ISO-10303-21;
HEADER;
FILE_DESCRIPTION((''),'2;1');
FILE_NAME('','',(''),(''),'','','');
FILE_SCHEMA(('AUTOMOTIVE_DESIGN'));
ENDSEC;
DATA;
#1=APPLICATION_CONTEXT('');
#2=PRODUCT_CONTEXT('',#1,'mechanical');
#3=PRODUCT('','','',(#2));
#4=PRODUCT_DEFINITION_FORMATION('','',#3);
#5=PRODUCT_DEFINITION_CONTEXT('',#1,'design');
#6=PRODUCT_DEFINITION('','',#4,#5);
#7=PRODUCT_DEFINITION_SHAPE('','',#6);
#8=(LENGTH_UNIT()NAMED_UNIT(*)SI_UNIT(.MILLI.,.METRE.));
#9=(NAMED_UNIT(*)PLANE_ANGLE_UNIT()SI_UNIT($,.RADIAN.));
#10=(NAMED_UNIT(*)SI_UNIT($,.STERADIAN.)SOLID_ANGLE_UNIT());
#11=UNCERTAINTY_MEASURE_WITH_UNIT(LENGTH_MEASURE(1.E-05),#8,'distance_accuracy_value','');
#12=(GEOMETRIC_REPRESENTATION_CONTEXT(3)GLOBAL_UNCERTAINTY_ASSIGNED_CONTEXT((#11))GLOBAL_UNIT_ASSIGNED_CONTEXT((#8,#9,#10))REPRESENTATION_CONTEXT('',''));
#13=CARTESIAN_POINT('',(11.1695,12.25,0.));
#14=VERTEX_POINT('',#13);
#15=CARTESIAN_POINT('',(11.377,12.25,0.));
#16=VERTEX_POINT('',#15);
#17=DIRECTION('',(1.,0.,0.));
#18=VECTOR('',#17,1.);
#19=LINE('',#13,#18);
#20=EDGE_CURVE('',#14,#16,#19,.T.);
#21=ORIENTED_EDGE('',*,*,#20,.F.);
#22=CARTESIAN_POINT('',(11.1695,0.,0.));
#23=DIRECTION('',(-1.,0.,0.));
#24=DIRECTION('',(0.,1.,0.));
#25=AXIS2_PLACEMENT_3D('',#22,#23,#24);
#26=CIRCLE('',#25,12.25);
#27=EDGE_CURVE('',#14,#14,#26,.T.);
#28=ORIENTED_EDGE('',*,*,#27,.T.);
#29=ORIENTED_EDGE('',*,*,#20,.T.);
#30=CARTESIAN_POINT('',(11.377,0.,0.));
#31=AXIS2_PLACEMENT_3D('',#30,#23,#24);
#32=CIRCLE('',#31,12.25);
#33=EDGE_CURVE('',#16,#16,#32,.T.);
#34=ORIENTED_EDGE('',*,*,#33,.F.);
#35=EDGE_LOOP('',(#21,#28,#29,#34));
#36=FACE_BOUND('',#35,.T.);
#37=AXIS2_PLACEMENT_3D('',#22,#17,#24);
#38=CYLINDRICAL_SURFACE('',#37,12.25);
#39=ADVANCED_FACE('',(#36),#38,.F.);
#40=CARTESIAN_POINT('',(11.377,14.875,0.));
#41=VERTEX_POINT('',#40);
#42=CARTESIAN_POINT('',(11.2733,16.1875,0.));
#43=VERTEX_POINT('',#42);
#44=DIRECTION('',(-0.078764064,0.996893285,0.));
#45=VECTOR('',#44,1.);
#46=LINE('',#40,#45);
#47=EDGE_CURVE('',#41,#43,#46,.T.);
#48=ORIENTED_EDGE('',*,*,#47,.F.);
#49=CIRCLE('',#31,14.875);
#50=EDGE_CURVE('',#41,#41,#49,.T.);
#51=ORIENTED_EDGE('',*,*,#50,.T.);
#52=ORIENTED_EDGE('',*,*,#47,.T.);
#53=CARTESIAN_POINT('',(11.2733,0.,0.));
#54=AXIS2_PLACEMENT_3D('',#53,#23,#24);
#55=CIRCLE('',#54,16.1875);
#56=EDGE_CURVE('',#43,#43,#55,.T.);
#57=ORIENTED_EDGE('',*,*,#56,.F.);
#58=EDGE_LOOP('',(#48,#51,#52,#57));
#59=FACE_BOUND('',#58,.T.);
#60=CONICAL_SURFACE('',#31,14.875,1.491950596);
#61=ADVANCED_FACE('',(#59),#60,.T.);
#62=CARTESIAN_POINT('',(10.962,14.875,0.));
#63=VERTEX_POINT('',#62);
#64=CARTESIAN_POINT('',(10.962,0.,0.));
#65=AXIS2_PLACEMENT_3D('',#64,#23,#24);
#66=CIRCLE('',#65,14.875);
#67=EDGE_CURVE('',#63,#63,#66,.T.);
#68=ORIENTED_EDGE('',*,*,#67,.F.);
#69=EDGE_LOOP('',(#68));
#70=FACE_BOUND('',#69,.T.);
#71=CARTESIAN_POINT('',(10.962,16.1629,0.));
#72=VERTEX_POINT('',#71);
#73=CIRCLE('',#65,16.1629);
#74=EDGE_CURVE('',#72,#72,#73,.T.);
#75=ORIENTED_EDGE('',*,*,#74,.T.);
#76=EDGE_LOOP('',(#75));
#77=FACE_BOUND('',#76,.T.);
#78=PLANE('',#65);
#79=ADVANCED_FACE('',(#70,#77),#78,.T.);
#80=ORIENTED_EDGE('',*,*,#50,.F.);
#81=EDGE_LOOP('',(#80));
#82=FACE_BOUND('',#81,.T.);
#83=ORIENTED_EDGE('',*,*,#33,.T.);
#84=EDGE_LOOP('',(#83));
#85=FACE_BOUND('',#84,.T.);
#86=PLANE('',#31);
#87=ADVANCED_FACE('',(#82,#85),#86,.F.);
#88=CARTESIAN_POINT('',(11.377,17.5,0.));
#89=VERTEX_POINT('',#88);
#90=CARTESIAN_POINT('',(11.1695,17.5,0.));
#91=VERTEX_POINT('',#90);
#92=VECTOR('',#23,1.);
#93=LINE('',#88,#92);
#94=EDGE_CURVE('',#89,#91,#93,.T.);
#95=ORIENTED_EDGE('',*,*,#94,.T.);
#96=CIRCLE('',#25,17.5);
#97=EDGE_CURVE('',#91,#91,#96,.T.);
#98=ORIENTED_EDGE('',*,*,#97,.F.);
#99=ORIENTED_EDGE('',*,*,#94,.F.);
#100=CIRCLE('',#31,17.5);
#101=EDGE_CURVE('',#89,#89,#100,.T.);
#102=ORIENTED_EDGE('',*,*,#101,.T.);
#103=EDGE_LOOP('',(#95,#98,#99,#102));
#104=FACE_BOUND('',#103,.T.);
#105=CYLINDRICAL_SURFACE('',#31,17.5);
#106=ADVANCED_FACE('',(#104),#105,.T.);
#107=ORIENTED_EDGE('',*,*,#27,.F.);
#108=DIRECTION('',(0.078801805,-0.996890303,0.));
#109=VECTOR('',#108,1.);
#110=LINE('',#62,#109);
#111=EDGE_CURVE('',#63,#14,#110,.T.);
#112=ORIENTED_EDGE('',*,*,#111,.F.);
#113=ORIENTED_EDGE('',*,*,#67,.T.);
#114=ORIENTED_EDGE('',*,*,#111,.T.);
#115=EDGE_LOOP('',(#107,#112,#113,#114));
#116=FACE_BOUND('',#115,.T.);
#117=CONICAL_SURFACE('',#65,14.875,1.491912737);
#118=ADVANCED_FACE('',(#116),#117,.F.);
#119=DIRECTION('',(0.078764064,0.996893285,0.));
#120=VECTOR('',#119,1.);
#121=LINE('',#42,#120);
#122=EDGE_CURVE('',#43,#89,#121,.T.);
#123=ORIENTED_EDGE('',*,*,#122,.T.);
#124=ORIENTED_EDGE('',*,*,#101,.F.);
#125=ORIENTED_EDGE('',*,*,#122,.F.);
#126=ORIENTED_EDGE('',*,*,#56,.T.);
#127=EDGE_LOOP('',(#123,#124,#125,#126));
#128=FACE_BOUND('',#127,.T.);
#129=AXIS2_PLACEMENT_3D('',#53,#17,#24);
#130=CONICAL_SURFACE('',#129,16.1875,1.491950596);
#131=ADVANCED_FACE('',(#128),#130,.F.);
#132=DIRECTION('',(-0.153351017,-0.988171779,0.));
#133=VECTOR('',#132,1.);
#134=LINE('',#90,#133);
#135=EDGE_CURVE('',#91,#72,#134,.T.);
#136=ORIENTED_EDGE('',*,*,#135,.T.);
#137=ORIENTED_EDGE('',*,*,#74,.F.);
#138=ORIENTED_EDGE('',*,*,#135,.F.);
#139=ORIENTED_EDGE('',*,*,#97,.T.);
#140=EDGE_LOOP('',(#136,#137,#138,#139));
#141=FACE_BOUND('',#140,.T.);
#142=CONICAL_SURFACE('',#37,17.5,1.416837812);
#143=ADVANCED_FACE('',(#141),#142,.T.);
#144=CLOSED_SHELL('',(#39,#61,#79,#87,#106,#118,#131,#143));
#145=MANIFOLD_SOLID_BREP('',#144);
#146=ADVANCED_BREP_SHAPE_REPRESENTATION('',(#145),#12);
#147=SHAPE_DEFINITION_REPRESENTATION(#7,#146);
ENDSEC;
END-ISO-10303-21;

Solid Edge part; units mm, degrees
sketch "Sketch1" plane through (0, 0, 0) normal (0, 0, 1) x (1, 0, 0)
  line L0 (10.962, 16.1629) -> (10.962, 14.875)
  line L1 (10.962, 14.875) -> (11.1695, 12.25)
  line L2 (11.1695, 12.25) -> (11.377, 12.25)
  line L3 (11.377, 12.25) -> (11.377, 14.875)
  line L4 (11.377, 14.875) -> (11.2733, 16.1875)
  line L5 (11.2733, 16.1875) -> (11.377, 17.5)
  line L6 (11.377, 17.5) -> (11.1695, 17.5)
  line L7 (11.1695, 17.5) -> (10.962, 16.1629)
revolve "RevolvedProtrusion1" add sketch "Sketch1" angle 360 about axis through (50, 0, 0) along (-1, 0, 0)
